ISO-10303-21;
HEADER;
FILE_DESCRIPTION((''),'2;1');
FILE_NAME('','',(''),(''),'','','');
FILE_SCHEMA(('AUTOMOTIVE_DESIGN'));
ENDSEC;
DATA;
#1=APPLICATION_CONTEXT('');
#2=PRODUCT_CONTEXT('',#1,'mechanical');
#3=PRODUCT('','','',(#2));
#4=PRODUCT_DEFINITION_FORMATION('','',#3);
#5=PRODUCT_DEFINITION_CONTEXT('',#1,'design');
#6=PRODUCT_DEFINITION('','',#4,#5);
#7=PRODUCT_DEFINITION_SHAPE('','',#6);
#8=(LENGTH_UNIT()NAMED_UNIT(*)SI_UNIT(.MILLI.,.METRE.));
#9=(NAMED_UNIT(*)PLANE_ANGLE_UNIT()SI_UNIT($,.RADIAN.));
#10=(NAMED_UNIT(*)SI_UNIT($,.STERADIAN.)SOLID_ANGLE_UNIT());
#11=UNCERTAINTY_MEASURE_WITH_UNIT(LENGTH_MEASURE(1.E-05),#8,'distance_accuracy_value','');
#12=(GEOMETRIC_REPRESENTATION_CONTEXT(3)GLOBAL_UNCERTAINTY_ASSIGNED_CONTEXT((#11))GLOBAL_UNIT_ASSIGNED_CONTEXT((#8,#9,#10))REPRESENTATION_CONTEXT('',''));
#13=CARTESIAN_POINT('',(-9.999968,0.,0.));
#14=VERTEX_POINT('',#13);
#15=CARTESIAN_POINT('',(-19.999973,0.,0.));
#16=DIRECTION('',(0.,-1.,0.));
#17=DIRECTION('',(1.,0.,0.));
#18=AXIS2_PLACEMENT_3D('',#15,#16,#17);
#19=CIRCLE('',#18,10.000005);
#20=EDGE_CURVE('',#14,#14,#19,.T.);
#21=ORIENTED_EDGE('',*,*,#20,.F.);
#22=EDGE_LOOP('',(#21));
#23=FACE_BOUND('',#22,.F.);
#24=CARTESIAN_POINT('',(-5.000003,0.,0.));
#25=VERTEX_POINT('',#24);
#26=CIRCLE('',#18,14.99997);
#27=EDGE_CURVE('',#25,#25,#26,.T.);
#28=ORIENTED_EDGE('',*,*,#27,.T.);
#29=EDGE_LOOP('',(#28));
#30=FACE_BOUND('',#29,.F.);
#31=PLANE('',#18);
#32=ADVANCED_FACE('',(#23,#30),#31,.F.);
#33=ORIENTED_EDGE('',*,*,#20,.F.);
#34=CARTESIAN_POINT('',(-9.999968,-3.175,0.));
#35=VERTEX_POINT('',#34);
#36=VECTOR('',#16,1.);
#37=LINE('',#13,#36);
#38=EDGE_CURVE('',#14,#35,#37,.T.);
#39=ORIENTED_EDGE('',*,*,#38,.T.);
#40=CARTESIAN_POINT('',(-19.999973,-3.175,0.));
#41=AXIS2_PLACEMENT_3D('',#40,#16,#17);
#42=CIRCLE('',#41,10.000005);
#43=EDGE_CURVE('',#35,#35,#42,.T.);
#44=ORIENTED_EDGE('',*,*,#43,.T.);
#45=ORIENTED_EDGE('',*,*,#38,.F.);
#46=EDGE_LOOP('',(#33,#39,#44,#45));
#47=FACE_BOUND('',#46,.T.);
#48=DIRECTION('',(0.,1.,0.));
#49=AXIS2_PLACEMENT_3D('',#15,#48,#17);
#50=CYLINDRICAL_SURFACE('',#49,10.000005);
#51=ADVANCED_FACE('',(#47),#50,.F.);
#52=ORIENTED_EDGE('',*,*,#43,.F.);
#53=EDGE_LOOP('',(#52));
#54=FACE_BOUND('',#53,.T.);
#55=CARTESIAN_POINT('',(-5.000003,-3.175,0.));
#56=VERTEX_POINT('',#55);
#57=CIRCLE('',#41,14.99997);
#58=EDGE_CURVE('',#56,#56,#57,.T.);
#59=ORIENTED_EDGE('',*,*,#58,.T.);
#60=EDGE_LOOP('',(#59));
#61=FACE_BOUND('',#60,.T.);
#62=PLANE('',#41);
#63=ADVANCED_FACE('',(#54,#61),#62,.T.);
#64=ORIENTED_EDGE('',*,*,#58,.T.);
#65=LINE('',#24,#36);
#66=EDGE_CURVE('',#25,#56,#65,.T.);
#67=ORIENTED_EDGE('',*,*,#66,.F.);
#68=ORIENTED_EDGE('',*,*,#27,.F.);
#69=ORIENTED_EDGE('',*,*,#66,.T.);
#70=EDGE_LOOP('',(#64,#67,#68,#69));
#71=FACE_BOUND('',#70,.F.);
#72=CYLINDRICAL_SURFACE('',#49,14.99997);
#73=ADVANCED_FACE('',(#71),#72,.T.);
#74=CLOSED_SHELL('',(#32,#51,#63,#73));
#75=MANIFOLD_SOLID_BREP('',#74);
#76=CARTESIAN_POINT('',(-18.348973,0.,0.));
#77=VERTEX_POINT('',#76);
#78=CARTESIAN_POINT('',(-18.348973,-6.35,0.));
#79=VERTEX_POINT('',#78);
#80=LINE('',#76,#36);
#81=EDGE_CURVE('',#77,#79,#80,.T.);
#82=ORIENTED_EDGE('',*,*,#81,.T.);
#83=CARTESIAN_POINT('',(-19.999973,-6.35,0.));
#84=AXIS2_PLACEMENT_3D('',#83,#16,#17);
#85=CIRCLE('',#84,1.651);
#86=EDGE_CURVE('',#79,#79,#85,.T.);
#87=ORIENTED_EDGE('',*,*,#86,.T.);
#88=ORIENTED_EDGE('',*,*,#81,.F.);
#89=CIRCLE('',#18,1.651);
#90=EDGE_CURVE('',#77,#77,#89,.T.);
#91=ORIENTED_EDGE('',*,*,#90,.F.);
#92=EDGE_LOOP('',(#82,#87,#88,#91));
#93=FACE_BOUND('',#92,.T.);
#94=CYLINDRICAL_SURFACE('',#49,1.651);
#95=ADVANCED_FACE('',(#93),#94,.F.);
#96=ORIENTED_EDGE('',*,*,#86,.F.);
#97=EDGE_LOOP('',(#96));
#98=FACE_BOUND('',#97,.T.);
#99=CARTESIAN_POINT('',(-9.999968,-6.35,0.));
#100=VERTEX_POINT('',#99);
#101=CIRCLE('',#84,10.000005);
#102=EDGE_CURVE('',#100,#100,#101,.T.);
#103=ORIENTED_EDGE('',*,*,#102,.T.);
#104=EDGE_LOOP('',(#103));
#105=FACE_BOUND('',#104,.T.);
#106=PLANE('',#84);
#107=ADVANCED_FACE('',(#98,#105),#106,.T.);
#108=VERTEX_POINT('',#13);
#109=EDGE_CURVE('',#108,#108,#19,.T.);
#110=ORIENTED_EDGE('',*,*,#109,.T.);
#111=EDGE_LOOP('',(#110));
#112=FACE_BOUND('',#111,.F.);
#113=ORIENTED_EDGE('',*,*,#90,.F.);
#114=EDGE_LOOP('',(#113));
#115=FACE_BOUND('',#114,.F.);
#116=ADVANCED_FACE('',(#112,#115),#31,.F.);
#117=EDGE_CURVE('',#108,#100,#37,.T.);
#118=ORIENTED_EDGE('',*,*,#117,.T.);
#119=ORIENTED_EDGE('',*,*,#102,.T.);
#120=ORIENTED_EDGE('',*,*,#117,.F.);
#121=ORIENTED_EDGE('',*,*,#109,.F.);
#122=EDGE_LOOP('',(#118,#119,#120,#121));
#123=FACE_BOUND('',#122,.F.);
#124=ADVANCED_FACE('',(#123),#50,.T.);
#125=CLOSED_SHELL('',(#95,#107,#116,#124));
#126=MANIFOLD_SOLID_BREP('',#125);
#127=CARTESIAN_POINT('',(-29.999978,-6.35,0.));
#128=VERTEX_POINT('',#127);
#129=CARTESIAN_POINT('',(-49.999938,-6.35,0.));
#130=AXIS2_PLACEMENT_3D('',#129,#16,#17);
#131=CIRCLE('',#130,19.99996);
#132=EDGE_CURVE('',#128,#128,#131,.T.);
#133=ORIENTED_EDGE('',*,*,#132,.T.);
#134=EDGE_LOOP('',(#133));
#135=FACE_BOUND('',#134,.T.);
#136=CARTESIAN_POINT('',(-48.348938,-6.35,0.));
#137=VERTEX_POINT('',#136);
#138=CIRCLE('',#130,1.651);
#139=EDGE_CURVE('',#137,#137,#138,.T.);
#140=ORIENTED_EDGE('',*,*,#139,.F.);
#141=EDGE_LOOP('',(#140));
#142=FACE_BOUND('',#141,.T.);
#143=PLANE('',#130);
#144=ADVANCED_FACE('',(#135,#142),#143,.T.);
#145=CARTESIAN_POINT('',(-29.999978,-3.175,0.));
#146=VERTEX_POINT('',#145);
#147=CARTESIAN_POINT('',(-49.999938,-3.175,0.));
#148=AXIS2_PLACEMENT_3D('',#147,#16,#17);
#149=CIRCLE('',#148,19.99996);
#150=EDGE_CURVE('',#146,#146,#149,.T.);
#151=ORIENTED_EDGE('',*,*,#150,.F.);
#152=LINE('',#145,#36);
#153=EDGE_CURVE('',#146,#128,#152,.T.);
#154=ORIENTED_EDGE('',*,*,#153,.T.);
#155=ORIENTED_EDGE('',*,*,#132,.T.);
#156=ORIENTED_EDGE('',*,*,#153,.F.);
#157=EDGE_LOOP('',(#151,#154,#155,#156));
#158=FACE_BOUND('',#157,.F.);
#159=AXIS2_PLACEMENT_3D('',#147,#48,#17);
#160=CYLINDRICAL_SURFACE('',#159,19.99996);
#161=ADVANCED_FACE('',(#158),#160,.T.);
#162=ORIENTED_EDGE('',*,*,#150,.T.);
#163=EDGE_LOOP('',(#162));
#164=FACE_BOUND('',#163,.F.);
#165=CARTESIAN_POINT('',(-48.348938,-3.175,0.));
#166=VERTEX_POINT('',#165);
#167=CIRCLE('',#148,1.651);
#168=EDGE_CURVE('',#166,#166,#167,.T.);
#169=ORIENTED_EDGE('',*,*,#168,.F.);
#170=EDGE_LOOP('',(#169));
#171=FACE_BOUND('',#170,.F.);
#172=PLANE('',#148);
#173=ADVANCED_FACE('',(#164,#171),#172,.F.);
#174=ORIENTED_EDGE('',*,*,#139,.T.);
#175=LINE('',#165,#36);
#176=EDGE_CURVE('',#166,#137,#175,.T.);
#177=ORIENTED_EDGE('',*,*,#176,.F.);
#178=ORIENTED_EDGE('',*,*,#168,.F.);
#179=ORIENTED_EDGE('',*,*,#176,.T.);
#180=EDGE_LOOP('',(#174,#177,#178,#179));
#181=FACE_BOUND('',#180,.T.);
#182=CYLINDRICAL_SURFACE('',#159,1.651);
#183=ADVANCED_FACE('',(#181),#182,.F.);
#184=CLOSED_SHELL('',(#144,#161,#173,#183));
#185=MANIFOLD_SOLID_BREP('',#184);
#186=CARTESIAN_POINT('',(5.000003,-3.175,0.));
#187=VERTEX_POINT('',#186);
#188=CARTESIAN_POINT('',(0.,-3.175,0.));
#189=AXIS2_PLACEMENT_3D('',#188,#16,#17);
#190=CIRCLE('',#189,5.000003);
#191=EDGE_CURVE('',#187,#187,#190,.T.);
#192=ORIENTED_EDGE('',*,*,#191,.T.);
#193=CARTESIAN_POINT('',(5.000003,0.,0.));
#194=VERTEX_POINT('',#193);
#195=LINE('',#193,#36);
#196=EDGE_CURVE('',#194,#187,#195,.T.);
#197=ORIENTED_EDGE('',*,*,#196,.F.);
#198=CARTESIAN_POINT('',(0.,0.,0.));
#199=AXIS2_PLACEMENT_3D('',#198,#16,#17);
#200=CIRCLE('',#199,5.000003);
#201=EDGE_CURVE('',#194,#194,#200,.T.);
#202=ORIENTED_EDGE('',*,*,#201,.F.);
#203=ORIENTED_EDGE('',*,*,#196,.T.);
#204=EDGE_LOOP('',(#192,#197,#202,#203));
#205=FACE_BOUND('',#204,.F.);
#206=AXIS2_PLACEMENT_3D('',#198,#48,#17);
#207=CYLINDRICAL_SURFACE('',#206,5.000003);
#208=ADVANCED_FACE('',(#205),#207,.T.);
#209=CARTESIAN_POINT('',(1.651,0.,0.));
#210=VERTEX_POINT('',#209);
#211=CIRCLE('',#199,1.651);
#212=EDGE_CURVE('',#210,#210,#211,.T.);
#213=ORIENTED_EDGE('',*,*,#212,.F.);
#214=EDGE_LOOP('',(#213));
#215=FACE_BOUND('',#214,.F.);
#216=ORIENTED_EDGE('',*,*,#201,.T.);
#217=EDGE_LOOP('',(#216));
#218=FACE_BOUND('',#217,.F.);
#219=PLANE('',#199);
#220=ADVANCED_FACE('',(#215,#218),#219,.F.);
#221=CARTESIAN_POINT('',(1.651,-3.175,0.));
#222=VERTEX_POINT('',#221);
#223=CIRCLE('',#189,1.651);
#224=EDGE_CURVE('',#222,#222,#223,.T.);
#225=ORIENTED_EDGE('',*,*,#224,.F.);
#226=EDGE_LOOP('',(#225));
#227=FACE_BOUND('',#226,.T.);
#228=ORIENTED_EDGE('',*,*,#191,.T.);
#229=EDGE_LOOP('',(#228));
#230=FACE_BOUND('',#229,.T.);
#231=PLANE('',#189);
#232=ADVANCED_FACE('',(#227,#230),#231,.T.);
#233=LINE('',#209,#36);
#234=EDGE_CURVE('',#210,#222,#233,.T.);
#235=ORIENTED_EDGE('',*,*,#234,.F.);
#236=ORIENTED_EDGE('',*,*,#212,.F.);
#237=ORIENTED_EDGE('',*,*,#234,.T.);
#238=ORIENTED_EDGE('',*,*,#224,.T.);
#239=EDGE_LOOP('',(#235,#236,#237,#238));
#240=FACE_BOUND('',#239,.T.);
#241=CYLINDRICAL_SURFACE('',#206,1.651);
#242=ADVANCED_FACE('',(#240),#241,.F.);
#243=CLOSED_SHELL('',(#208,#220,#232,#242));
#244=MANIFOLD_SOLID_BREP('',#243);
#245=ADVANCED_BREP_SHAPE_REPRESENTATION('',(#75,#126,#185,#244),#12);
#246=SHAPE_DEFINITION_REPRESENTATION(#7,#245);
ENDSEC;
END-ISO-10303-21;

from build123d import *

# Parameters (mm, degrees)
F0_R     = 1.651
F1_DEPTH = 3.175
F0_R_2   = 14.99997
F0_R_3   = 10.000005
F2_DEPTH = 3.175
F3_DEPTH = 6.35
F4_R     = 19.99996
F4_R_2   = 1.651
F5_DEPTH = 3.175


with BuildPart() as f1:
    # F0 (on Front) → F1 (new body)
    with BuildSketch(Plane.XZ):
        with BuildLine():
            ThreePointArc((-5.000003, 0), (0, -5.000003), (5.000003, 0))
            ThreePointArc((5.000003, 0), (0, 5.000003), (-5.000003, 0))
        make_face()
        Circle(F0_R, mode=Mode.SUBTRACT)
    extrude(amount=F1_DEPTH)


with BuildPart() as f2:
    # F0 (on Front) → F2 (new body)
    with BuildSketch(Plane.XZ):
        with Locations((-19.999973, 0)):
            Circle(F0_R_2)
        with Locations((-19.999973, 0)):
            Circle(F0_R_3, mode=Mode.SUBTRACT)
    extrude(amount=F2_DEPTH)


with BuildPart() as f3:
    # F0 (on Front) → F3 (new body)
    with BuildSketch(Plane.XZ):
        with Locations((-19.999973, 0)):
            Circle(F0_R_3)
        with Locations((-19.999973, 0)):
            Circle(F0_R, mode=Mode.SUBTRACT)
    extrude(amount=F3_DEPTH)


with BuildPart() as f5:
    # F4 (on face) → F5 (new body)
    with BuildSketch(Plane.XZ.offset(3.175)):
        with Locations((-49.999938, 0)):
            Circle(F4_R)
        with Locations((-49.999938, 0)):
            Circle(F4_R_2, mode=Mode.SUBTRACT)
    extrude(amount=F5_DEPTH)


solid = Compound([f1.part, f2.part, f3.part, f5.part])
